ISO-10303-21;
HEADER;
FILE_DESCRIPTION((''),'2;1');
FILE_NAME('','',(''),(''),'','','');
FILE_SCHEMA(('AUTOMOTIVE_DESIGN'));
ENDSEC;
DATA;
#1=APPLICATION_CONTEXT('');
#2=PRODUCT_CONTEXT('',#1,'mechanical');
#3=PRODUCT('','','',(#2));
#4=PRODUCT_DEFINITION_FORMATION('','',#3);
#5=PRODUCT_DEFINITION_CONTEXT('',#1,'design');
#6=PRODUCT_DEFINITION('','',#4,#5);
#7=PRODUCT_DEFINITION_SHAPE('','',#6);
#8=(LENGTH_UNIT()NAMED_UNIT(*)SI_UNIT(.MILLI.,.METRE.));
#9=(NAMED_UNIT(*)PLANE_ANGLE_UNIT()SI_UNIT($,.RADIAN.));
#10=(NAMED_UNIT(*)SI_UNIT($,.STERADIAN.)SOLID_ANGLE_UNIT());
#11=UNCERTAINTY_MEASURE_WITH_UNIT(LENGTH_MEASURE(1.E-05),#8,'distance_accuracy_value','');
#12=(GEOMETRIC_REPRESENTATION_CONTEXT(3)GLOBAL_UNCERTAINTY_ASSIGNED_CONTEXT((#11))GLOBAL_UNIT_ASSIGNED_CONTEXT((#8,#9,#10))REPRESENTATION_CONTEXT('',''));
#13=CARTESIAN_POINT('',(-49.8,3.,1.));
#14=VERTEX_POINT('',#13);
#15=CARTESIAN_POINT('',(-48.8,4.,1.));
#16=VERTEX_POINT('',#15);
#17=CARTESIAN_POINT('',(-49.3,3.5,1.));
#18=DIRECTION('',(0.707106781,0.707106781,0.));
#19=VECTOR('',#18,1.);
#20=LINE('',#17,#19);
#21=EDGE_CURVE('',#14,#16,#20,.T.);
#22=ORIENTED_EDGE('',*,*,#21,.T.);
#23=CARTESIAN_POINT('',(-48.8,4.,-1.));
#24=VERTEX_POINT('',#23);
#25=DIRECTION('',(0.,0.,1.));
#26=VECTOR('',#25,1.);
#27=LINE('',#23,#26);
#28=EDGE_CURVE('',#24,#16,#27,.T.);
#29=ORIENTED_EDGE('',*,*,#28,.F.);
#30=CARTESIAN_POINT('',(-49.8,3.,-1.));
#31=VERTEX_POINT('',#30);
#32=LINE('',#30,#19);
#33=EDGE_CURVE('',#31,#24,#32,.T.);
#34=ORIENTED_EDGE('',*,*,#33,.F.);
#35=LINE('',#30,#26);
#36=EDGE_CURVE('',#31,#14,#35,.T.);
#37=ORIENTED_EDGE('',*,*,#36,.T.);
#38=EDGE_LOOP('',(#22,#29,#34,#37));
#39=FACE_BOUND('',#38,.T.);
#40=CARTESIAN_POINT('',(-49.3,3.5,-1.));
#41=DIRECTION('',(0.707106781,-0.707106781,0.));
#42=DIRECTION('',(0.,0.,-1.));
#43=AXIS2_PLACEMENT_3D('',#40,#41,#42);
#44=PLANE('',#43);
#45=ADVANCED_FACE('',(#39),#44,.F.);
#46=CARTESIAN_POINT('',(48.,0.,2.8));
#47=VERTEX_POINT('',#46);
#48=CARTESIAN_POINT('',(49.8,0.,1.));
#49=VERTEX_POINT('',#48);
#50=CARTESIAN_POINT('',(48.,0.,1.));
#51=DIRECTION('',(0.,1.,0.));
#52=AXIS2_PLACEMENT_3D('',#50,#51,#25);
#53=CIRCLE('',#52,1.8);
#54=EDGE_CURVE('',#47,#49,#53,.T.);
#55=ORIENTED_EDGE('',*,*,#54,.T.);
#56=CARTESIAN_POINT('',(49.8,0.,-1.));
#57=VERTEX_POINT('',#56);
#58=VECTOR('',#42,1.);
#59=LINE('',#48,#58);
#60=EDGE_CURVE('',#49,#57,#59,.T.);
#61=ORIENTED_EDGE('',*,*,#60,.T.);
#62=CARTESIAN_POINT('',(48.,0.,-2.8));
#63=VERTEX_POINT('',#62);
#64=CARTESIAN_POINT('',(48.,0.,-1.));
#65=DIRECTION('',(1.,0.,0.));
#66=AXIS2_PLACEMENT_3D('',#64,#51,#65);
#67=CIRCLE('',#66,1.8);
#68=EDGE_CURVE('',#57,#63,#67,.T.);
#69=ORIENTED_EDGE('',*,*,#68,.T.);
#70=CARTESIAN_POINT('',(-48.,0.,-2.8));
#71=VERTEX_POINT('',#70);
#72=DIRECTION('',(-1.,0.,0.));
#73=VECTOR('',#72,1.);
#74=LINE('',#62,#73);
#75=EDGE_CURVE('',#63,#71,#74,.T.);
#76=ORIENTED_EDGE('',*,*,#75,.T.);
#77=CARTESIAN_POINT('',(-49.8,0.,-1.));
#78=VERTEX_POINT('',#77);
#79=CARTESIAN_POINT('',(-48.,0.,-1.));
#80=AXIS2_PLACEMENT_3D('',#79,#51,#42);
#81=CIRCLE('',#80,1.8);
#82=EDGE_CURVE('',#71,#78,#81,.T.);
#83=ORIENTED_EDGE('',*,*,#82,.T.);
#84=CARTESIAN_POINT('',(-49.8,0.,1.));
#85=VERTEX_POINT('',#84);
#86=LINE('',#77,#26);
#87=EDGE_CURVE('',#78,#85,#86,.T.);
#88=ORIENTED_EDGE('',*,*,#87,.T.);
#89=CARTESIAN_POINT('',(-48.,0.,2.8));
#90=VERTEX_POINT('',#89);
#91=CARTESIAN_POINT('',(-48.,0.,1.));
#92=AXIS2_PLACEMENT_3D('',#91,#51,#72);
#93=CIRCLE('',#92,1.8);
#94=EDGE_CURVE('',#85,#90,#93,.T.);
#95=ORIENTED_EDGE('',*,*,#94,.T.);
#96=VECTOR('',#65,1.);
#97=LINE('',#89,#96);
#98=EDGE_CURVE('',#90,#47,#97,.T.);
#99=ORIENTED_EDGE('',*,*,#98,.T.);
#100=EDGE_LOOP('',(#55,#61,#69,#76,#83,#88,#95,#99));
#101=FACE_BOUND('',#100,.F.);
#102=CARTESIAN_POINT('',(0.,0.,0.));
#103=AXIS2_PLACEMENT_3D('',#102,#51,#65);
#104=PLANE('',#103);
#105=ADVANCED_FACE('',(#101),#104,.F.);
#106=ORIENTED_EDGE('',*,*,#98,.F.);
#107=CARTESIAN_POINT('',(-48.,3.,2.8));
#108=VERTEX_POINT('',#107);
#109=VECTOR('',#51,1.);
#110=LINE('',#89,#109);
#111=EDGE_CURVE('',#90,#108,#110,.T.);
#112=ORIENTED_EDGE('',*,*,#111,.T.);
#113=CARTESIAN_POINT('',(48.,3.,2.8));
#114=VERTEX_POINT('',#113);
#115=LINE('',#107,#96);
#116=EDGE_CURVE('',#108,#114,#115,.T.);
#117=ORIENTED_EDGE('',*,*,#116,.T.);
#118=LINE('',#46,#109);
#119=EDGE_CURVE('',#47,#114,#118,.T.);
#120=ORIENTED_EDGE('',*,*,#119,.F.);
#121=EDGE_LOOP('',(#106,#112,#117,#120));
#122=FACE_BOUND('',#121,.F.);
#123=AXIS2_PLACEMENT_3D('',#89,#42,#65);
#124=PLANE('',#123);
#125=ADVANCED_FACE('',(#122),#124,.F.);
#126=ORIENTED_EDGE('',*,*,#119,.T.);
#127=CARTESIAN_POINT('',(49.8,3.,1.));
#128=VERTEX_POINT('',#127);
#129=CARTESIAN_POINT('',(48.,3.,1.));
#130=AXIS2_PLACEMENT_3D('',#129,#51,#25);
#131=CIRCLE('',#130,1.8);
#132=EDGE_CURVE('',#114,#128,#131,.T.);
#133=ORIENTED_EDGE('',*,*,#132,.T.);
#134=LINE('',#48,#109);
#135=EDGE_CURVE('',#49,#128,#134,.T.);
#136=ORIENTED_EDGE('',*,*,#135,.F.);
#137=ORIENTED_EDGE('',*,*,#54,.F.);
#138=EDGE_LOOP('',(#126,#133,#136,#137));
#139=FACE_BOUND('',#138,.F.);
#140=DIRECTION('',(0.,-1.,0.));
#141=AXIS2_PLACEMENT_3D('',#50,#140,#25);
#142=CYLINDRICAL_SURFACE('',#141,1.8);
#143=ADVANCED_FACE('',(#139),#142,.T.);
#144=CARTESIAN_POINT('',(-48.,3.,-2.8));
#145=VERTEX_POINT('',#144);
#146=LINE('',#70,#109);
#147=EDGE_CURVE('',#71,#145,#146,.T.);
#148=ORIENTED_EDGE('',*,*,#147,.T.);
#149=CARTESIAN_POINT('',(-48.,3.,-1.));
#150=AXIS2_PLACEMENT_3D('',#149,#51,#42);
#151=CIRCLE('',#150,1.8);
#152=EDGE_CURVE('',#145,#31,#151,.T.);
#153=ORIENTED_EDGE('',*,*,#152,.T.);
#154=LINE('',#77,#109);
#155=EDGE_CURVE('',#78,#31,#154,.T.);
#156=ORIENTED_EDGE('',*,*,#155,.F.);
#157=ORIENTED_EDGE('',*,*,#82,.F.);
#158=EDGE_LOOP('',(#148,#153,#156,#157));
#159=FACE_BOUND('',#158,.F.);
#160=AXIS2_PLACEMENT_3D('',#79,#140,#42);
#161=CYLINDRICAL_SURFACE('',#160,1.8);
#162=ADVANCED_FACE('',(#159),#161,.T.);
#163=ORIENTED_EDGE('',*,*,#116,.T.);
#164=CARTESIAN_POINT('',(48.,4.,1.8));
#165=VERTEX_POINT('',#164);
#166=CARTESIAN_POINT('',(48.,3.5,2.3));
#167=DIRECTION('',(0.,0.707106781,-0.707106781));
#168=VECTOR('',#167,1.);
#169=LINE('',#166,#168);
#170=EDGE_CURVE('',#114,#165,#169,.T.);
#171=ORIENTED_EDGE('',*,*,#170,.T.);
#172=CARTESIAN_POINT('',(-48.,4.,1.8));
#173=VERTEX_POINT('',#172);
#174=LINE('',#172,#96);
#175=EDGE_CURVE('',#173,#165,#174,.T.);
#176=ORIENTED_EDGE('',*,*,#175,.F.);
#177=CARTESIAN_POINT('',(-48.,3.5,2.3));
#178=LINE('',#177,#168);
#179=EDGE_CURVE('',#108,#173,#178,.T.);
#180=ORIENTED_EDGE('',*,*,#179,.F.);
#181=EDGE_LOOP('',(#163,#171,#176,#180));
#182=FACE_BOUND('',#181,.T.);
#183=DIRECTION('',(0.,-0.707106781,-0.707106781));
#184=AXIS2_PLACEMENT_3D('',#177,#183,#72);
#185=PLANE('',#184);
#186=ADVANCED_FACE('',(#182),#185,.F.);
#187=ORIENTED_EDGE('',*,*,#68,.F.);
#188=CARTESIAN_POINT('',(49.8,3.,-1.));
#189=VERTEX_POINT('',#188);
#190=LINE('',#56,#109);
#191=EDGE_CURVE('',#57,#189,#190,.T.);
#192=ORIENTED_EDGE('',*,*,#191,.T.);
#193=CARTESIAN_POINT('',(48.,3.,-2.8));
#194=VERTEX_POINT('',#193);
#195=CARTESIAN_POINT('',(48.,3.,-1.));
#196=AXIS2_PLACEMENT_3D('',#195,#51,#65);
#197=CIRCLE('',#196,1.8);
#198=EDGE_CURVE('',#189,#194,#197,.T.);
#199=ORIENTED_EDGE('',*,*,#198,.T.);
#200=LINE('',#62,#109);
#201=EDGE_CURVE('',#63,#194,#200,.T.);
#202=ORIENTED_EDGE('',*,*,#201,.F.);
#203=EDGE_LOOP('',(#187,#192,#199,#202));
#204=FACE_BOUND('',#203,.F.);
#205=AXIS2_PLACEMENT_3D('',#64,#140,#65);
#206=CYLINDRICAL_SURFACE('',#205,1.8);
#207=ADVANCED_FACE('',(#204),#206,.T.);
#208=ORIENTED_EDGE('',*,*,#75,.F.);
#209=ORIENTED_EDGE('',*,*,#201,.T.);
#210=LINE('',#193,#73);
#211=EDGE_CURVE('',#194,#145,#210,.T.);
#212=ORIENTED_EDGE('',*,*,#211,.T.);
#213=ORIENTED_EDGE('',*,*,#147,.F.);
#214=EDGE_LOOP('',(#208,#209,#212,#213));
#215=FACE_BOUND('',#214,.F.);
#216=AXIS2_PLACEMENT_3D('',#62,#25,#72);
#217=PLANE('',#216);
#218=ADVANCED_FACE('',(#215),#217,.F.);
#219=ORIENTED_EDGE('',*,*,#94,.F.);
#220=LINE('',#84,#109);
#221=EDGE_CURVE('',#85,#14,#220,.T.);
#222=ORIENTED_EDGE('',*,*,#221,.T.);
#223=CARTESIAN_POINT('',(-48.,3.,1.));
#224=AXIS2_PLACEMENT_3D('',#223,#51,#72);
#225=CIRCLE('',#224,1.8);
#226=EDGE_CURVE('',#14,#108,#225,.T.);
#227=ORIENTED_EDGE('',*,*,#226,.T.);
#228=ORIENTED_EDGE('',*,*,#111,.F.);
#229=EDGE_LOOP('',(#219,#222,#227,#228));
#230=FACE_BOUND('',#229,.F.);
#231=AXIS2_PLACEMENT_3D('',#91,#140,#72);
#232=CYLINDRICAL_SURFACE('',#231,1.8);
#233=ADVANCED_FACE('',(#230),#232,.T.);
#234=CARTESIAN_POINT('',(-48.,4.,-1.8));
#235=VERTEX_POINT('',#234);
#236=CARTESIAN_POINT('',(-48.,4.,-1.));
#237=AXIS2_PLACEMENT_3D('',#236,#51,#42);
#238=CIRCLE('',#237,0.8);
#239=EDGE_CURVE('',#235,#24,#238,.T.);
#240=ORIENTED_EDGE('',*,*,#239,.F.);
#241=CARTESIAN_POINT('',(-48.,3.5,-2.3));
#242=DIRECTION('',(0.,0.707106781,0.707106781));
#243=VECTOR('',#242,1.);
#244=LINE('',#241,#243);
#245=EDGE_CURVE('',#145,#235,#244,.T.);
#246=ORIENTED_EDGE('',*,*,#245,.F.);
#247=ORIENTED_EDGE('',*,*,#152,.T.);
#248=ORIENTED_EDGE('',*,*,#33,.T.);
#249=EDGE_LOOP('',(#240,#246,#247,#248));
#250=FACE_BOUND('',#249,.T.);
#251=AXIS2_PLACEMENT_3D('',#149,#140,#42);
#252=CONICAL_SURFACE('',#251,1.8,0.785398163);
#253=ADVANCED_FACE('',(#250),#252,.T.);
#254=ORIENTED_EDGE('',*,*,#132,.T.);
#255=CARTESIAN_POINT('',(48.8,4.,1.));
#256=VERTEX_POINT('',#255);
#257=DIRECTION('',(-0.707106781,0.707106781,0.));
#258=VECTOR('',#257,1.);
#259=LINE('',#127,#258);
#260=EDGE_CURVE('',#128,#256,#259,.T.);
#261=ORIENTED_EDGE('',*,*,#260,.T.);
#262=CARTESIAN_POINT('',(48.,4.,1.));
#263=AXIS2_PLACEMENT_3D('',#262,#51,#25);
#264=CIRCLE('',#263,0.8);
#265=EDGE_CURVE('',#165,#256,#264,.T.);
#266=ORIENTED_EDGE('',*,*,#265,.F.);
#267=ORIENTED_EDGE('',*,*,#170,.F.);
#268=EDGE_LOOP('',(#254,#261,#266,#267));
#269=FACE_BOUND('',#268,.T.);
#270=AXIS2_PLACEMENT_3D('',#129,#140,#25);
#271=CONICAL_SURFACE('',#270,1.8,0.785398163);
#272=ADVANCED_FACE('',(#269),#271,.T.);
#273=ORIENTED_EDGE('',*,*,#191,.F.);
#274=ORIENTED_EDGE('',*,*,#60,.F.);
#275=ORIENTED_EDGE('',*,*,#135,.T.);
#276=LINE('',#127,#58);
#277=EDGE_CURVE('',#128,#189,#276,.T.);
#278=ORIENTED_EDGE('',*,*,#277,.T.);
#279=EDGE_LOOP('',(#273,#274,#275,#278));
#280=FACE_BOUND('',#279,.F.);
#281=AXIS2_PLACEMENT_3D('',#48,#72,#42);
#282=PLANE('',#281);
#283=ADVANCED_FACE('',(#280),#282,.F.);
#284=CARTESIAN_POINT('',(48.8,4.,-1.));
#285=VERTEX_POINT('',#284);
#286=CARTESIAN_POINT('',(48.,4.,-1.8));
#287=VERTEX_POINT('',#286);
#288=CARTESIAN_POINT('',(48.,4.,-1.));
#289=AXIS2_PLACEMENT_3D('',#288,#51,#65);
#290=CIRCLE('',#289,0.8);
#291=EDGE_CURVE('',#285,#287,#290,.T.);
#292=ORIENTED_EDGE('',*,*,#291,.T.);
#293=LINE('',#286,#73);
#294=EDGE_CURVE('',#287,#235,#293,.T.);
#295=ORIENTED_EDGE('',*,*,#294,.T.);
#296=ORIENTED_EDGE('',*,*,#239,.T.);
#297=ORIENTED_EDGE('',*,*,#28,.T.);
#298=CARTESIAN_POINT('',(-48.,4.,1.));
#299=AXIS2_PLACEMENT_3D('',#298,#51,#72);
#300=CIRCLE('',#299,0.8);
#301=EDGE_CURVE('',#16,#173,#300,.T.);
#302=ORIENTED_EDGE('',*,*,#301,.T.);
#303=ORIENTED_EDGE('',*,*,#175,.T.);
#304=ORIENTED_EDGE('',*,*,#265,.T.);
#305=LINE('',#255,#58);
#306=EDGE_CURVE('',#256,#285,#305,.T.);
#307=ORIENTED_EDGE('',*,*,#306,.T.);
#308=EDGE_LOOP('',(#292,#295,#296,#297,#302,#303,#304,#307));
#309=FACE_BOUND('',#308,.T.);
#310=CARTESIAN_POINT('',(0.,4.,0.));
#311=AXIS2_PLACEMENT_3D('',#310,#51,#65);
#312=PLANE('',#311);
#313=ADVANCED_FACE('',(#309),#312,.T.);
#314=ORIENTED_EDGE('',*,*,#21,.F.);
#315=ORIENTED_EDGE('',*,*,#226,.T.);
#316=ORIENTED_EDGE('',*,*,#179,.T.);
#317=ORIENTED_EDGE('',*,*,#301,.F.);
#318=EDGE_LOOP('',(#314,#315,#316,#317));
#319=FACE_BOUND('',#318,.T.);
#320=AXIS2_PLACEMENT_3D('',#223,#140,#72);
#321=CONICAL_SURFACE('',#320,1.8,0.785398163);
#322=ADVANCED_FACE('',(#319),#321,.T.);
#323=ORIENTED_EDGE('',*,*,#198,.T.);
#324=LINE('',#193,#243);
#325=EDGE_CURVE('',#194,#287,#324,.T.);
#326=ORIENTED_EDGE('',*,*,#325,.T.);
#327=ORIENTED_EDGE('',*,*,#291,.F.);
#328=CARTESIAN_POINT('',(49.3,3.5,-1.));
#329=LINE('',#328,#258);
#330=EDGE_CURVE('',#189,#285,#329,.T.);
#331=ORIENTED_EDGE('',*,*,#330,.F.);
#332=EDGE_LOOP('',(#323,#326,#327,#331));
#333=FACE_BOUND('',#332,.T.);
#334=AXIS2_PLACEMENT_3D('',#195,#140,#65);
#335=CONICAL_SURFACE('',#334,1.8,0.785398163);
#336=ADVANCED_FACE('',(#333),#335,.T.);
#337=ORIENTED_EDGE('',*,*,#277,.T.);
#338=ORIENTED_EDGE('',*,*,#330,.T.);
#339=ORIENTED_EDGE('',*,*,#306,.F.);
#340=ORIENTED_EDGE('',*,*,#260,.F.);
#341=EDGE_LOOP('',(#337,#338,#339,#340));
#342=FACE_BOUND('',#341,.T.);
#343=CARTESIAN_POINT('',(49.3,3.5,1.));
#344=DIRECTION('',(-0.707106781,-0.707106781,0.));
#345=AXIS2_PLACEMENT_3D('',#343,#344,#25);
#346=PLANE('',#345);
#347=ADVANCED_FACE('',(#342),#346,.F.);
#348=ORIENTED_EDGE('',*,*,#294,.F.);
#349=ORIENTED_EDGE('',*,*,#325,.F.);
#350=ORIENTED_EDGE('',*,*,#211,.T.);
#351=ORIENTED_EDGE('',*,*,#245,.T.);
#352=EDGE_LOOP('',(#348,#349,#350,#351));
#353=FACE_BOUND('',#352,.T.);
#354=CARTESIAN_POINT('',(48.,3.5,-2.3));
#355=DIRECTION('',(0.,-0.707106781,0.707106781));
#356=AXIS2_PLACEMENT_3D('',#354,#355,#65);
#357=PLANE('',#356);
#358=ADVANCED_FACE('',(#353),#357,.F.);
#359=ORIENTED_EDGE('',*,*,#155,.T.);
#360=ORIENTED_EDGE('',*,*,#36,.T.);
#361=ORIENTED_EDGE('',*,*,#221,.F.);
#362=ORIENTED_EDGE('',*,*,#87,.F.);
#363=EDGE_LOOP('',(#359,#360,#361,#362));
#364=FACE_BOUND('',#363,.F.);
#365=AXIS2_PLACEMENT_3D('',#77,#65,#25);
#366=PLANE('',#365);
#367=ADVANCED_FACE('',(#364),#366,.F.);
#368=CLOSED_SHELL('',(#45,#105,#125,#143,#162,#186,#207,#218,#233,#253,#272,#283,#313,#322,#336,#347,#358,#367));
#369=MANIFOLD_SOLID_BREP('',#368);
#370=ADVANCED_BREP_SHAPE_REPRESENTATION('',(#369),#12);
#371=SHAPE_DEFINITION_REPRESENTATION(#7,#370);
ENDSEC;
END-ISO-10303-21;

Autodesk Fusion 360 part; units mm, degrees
sketch "Foot Outline" plane through (0, 0, 0) normal (0, 1, 0) x (1, 0, 0)
  line L0 (48, 3) -> (-48, 3)
  line L1 (-50, 1) -> (-50, -1)
  line L2 (-48, -3) -> (48, -3)
  line L3 (50, -1) -> (50, 1)
  line L4 (50, 3) -> (-50, -3) construction
  line L5 (-50, 3) -> (50, -3) construction
  arc A0 (-50, -1) -> (-48, -3) centre (-48, -1) ccw
  arc A1 (-48, 3) -> (-50, 1) centre (-48, 1) ccw
  arc A2 (50, 1) -> (48, 3) centre (48, 1) ccw
  arc A3 (48, -3) -> (50, -1) centre (48, -1) ccw
  arc A4 (-49.8, -1) -> (-48, -2.8) centre (-48, -1) ccw
  line L6 (-48, -2.8) -> (48, -2.8)
  arc A5 (48, -2.8) -> (49.8, -1) centre (48, -1) ccw
  line L7 (49.8, -1) -> (49.8, 1)
  arc A6 (49.8, 1) -> (48, 2.8) centre (48, 1) ccw
  line L8 (48, 2.8) -> (-48, 2.8)
  arc A7 (-48, 2.8) -> (-49.8, 1) centre (-48, 1) ccw
  line L9 (-49.8, 1) -> (-49.8, -1)
  dimension "d1" = 100
  dimension "d2" = 6
  dimension "d3" = 2
  dimension "d4" = 2
  dimension "d5" = 2
  dimension "d9" = -0.2
extrude "Extrude2" add sketch "Foot Outline" along normal blind 4 contours A4 L6 A5 L7 A6 L8 A7 L9
chamfer "Chamfer2" distance 1 angle 45 8 edges at (0, 4, 2.8) (49.2728, 4, 2.2728) (49.8, 4, 0) (49.2728, 4, -2.2728) (0, 4, -2.8) (-49.2728, 4, -2.2728) (-49.8, 4, 0) (-49.2728, 4, 2.2728)
